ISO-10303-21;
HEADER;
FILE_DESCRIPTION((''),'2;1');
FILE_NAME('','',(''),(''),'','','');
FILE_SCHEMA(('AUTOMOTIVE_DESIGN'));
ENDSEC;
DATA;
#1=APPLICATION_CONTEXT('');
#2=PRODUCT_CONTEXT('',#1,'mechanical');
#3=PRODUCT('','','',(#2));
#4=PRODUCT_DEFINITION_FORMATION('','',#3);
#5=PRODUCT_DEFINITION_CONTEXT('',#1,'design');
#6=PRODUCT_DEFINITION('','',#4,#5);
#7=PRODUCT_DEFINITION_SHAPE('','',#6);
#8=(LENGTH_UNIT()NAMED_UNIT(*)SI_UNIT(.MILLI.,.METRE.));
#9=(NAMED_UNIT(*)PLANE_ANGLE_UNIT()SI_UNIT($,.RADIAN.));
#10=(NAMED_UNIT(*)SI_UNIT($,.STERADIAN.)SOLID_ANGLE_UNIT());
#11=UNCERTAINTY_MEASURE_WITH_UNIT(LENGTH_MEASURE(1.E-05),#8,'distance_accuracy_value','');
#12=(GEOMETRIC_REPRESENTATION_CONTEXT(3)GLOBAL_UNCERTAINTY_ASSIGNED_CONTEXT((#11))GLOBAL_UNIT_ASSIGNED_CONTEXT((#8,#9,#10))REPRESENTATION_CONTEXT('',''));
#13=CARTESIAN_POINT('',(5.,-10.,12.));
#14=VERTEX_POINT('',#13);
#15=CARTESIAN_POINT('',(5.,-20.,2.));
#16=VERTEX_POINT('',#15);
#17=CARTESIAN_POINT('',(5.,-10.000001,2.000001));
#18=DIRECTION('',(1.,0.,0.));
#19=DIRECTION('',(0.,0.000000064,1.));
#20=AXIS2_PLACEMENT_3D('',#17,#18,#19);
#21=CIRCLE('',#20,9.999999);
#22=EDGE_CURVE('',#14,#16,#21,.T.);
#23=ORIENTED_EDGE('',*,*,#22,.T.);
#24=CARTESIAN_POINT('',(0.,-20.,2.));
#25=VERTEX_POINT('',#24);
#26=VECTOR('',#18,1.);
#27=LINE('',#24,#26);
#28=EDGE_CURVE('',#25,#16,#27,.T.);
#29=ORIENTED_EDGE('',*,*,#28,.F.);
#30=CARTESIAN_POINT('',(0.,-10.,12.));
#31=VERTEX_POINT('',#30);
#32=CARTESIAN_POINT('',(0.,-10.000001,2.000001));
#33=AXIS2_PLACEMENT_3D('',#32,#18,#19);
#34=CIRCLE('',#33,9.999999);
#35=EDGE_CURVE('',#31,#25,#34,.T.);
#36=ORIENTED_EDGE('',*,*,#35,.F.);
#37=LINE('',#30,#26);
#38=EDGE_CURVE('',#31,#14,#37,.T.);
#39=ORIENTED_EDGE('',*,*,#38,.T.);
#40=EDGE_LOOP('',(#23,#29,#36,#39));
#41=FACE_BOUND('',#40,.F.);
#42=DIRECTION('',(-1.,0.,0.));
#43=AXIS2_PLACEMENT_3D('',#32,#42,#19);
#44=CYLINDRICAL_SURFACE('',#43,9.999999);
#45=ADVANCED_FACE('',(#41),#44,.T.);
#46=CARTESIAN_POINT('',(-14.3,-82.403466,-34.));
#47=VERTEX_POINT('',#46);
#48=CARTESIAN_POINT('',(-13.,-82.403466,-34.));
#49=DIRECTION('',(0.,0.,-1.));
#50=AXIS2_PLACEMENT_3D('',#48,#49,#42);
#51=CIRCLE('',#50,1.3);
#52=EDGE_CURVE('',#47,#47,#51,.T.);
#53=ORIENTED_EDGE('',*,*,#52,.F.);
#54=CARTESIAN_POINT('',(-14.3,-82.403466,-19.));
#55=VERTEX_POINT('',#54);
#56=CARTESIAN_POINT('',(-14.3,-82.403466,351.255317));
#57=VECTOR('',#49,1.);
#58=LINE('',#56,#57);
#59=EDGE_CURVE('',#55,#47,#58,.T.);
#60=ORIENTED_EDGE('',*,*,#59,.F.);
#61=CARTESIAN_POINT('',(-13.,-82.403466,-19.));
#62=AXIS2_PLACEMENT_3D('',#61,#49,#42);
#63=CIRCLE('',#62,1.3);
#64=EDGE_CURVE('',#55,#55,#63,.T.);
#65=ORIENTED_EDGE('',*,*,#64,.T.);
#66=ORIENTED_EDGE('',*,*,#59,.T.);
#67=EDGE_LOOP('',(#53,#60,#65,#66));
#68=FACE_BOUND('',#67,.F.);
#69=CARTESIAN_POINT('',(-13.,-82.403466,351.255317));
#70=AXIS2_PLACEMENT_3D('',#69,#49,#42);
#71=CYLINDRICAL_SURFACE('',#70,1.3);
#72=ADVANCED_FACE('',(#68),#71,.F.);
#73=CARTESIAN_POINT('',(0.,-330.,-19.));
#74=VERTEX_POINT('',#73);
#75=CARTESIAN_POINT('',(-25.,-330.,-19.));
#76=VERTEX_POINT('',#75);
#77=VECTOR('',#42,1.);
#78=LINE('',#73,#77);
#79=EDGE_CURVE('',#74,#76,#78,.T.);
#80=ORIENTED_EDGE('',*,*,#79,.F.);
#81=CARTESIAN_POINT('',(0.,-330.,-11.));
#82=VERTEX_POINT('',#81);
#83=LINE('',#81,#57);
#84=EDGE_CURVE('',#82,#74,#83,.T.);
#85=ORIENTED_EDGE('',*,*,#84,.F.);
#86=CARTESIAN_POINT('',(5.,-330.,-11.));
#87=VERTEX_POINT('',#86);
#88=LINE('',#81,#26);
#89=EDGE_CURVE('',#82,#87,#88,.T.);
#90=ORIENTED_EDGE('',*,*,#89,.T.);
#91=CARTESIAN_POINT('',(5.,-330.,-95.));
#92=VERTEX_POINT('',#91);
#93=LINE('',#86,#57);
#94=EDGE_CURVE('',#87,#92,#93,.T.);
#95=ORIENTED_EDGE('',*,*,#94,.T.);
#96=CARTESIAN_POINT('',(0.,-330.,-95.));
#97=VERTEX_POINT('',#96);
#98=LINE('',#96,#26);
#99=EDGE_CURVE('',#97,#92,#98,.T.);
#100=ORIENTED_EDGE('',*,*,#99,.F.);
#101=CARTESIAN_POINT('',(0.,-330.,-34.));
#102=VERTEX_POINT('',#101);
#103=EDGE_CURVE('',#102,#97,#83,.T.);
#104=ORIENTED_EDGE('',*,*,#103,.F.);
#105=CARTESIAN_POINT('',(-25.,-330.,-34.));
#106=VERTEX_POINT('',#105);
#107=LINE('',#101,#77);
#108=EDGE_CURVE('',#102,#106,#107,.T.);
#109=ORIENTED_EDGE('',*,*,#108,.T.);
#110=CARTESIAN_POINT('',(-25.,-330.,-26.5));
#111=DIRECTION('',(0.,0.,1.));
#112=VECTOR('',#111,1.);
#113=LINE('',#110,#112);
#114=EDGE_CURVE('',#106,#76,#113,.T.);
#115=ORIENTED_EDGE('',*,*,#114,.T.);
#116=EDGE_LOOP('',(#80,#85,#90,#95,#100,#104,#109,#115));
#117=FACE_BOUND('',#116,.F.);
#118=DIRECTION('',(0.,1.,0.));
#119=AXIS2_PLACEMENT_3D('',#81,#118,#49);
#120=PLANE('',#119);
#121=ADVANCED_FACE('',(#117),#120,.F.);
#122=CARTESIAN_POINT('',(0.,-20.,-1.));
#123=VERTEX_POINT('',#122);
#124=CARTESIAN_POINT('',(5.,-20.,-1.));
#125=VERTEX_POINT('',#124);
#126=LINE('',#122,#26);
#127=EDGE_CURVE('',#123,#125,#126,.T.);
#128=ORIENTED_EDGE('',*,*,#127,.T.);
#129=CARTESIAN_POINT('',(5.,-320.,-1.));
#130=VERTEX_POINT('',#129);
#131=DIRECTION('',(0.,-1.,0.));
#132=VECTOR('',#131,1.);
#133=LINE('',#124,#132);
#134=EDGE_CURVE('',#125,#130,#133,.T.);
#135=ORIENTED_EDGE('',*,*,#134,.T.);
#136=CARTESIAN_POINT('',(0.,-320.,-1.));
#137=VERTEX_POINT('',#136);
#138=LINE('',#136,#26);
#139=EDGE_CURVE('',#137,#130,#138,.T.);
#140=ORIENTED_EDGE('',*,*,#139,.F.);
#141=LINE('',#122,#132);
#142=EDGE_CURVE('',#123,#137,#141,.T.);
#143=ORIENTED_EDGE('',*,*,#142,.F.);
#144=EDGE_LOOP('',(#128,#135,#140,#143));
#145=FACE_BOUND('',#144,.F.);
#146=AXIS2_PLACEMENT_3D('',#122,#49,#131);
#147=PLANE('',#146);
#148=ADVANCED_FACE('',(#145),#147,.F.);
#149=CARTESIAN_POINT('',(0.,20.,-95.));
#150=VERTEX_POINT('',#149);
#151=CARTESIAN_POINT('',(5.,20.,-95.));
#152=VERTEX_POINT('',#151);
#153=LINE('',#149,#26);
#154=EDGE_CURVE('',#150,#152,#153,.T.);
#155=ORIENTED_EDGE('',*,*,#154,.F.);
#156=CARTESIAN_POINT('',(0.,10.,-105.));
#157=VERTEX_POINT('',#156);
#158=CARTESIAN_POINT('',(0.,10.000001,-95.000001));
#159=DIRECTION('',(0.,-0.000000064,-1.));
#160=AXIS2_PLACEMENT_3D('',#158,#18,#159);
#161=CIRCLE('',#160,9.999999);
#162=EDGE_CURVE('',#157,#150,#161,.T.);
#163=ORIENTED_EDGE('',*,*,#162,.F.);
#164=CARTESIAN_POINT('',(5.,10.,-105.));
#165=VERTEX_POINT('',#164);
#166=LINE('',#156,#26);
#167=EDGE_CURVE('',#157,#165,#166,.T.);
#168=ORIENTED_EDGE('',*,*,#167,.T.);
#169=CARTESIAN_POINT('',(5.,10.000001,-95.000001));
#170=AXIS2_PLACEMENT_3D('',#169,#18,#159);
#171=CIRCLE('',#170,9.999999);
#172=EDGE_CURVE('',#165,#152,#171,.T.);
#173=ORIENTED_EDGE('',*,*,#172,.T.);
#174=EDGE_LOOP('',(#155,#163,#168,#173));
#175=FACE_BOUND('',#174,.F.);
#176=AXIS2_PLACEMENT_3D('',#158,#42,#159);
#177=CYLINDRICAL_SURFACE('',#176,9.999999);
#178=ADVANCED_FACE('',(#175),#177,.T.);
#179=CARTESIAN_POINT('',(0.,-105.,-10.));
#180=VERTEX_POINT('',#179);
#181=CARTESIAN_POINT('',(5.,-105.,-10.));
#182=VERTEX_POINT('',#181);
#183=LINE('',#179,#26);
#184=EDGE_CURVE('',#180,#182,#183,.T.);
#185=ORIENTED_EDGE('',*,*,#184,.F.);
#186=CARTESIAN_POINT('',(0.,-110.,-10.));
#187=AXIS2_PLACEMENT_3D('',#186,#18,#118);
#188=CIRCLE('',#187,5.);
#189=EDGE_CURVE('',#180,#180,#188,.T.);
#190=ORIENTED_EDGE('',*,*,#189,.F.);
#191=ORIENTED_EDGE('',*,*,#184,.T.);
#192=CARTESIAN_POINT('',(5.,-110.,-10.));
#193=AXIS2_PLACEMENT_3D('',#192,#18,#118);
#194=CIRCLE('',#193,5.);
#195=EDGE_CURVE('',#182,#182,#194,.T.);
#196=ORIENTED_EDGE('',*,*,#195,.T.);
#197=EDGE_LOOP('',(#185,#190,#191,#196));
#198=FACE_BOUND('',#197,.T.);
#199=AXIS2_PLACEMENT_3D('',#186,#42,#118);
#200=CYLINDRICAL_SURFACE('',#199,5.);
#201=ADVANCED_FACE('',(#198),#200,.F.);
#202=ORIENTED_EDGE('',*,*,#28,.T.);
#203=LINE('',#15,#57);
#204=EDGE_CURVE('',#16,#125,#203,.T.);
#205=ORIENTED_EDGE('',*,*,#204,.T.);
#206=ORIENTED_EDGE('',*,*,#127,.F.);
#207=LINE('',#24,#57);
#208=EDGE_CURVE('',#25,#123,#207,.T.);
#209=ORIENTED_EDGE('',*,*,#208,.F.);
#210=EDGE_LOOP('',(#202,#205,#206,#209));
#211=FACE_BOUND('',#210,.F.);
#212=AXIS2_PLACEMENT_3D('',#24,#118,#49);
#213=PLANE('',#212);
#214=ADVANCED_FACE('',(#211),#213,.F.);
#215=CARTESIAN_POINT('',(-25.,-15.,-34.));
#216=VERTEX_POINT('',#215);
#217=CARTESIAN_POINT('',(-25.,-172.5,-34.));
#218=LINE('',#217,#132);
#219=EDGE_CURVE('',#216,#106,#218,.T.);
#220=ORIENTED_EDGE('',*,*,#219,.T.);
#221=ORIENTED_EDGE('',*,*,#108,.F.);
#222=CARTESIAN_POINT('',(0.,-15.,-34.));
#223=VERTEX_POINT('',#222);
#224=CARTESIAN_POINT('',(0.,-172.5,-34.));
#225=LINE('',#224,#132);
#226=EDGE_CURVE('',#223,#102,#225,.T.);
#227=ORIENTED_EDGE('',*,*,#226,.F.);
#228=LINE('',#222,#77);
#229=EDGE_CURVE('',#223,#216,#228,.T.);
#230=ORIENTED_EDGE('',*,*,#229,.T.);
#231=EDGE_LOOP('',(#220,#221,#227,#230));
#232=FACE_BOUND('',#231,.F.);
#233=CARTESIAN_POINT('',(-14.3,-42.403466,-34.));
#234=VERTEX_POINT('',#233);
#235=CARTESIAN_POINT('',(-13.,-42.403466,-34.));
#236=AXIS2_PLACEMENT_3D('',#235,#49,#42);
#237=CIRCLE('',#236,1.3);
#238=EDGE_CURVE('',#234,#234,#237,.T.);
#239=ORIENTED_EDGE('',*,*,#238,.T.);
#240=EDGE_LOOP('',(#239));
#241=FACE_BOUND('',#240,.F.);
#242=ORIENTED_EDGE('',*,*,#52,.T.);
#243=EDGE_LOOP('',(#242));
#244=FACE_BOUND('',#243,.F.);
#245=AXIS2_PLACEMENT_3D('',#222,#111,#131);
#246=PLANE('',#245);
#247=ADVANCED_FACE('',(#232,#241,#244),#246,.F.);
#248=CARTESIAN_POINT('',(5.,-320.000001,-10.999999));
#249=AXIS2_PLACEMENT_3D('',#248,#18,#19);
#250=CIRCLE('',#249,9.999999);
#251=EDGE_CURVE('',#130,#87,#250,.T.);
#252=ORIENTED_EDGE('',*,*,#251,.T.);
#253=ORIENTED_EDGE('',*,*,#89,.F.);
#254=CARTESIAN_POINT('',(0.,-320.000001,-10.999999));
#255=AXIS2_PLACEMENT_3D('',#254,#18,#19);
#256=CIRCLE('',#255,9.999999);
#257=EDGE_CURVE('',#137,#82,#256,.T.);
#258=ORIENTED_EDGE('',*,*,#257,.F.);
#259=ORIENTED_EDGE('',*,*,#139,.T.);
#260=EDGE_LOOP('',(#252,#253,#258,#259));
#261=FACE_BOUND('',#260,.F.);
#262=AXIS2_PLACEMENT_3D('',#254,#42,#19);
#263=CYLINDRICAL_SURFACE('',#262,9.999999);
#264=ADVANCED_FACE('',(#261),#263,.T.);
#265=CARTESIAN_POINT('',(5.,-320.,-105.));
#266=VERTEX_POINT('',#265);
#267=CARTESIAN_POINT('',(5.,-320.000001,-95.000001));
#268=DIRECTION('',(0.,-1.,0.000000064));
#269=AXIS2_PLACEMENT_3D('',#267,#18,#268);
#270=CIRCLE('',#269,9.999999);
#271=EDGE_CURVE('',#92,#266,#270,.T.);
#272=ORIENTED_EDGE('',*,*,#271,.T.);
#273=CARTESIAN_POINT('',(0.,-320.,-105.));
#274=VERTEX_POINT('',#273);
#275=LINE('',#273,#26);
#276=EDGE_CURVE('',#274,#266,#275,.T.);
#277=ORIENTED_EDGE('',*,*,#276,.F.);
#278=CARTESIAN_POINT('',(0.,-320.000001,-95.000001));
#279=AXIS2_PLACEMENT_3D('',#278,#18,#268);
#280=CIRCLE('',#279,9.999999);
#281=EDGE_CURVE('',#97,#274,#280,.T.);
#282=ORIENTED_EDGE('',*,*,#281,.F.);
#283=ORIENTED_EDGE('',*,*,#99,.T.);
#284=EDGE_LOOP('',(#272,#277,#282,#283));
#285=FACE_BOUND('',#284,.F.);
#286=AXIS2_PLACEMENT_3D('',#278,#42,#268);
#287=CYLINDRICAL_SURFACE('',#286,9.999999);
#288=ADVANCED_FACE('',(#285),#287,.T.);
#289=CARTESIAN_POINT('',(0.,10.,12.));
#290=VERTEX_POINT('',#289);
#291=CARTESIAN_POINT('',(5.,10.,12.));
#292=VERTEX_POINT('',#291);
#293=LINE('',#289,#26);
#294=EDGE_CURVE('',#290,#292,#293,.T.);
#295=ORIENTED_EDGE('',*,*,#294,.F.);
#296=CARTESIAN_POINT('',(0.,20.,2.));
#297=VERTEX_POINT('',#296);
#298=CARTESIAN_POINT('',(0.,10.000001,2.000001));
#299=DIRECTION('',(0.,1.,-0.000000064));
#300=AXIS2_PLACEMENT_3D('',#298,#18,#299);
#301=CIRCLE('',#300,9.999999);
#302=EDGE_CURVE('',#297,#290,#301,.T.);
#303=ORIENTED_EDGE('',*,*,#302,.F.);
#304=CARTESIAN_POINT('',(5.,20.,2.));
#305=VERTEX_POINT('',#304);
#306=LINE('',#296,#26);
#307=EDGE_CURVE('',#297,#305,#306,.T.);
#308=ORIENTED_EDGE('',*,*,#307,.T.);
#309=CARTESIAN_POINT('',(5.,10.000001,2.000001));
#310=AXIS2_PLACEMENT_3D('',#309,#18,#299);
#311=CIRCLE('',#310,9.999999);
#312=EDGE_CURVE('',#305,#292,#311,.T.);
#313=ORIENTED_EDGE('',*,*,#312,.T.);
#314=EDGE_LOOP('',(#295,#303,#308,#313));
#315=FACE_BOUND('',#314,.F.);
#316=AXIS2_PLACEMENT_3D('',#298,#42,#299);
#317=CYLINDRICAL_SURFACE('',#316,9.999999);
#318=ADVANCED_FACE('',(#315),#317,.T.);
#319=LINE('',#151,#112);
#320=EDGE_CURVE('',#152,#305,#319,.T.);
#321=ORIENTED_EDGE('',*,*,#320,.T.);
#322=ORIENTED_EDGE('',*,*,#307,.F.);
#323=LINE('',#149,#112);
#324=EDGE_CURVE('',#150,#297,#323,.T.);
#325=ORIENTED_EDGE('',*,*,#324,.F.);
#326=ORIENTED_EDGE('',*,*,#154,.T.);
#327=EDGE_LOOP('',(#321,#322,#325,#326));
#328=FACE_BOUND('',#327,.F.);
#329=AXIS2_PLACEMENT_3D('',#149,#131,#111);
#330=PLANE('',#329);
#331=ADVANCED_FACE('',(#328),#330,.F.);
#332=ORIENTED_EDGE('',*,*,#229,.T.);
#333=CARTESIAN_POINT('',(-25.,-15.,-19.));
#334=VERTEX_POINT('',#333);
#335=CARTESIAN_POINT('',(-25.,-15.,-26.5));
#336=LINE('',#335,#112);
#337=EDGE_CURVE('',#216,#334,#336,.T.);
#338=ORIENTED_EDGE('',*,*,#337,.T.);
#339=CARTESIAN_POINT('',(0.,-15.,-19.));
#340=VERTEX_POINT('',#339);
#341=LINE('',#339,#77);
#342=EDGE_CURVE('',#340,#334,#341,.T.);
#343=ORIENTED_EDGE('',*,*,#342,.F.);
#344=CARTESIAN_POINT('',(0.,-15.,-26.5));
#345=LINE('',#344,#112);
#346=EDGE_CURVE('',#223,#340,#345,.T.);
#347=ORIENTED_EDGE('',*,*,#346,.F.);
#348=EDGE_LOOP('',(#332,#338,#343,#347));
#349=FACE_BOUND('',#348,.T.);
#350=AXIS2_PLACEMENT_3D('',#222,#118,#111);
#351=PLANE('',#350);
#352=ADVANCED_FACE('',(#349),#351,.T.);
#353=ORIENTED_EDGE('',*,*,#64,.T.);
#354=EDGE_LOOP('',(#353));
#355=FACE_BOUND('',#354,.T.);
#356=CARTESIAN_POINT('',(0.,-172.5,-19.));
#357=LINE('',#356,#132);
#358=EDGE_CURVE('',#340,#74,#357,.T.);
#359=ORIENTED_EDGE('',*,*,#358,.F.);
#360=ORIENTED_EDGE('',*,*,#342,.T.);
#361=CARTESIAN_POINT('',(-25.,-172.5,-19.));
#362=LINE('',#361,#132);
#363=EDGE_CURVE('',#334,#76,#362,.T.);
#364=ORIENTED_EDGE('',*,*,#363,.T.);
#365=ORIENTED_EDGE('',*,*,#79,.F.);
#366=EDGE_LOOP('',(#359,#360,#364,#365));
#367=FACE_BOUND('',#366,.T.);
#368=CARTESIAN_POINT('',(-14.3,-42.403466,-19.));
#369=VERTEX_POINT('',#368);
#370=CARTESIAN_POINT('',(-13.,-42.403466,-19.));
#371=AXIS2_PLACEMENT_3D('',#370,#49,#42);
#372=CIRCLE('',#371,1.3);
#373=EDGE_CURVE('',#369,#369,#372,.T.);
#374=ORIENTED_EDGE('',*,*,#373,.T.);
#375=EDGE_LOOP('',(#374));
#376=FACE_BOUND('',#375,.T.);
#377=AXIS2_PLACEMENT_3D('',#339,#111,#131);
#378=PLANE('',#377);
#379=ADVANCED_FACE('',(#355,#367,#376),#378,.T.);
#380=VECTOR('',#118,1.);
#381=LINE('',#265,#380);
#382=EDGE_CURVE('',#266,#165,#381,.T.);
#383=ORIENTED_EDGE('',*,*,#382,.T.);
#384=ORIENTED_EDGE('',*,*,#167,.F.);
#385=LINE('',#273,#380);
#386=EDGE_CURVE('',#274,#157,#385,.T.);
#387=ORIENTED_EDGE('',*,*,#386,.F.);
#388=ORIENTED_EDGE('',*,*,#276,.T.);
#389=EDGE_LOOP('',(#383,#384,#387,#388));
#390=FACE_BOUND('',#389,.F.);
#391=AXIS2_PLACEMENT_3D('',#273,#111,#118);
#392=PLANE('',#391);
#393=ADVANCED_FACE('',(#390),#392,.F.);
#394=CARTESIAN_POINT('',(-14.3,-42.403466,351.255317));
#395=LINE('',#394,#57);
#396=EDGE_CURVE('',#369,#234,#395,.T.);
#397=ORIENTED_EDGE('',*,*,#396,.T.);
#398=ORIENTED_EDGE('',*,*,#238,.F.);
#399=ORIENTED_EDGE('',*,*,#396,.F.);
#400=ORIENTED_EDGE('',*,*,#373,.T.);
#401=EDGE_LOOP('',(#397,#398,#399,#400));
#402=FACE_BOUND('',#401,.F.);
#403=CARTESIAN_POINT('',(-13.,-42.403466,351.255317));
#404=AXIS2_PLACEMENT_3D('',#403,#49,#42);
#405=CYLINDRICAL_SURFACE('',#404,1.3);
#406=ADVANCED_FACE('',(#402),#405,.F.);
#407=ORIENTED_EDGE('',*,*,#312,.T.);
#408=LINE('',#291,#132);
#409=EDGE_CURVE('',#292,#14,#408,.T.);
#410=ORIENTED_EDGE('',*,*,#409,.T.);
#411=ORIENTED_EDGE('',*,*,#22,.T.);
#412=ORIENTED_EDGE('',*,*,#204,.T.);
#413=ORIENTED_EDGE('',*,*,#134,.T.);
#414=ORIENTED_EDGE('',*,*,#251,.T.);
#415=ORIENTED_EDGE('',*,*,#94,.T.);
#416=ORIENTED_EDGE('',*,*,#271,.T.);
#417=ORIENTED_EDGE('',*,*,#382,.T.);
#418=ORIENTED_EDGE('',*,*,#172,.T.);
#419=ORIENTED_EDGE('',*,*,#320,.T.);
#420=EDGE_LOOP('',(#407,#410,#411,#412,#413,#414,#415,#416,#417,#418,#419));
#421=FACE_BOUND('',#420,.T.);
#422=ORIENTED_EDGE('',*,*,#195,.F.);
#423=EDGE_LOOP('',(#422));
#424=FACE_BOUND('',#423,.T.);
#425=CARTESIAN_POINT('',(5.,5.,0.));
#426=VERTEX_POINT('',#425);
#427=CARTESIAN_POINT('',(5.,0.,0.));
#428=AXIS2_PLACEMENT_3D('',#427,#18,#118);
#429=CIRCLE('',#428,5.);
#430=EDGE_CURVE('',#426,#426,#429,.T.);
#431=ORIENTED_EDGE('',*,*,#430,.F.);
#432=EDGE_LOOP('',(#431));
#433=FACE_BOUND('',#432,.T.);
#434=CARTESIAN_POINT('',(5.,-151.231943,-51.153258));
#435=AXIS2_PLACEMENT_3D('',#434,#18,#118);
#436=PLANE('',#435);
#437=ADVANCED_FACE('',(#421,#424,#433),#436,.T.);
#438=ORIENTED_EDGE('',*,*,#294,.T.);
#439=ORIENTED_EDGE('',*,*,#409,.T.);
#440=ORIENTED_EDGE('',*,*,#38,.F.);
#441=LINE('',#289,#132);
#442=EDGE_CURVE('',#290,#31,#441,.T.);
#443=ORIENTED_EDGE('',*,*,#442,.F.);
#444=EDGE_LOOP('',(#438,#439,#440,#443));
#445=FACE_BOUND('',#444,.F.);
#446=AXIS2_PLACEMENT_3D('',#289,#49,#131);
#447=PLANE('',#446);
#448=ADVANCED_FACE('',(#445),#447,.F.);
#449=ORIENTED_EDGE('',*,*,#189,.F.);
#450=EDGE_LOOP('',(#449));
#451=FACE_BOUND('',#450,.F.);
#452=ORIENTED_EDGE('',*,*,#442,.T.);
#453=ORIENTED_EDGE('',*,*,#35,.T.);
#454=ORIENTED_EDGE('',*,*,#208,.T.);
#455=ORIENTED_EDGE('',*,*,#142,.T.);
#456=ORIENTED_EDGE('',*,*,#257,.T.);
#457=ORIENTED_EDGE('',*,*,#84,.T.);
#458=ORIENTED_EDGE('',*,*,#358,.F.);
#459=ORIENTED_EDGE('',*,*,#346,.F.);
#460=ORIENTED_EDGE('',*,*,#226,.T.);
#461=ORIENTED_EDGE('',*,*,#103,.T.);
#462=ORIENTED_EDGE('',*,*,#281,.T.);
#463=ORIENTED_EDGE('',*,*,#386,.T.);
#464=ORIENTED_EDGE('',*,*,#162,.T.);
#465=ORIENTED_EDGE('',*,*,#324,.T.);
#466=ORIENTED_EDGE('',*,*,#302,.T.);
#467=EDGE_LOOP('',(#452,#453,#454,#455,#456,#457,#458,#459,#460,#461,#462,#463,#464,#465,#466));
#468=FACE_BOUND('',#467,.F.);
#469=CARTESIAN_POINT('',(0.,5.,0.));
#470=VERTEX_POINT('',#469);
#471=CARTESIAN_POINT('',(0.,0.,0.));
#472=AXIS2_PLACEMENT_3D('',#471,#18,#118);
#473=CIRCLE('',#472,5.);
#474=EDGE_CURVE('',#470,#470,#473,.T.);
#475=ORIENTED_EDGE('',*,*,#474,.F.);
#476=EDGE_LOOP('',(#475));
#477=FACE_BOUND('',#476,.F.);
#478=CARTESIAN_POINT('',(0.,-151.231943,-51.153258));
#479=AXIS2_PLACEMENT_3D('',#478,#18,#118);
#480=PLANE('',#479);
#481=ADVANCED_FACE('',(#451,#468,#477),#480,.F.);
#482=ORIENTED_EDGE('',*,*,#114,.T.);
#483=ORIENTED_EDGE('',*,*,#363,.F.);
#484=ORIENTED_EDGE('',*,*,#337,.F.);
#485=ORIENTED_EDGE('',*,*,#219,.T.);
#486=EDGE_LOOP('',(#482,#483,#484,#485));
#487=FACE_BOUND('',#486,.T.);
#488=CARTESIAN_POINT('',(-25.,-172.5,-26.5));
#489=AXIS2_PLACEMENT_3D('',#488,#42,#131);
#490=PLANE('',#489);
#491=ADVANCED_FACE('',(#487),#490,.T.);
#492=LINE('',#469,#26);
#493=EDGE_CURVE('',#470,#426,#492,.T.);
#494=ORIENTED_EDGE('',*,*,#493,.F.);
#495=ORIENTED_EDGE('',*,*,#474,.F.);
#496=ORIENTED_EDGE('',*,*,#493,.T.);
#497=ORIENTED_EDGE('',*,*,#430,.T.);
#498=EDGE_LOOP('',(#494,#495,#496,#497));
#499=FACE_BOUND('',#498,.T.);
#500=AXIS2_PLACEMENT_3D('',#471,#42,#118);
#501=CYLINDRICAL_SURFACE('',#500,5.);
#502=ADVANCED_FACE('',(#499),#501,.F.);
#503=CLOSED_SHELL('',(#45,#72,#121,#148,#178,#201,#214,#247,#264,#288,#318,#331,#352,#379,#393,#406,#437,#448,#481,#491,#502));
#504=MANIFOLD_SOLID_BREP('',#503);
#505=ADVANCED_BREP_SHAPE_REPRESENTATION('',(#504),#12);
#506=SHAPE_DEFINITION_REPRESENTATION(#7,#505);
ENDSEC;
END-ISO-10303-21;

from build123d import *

# Parameters (mm, degrees)
F0_R     = 5
F1_DEPTH = 5
F2_W     = 315
F2_H     = 15
F3_DEPTH = 25
F5_D     = 2.6


with BuildPart() as f1:
    # F0 (on Right) → F1 (new body)
    with BuildSketch(Plane.YZ):
        with BuildLine():
            Line((-20, -1), (-320, -1))
            ThreePointArc((-320, -1), (-327.071068, -3.928932), (-330, -11))
            Line((-330, -11), (-330, -95))
            ThreePointArc((-330, -95), (-327.071068, -102.071068), (-320, -105))
            Line((-320, -105), (10, -105))
            ThreePointArc((10, -105), (17.071068, -102.071068), (20, -95))
            Line((20, -95), (20, 2))
            ThreePointArc((20, 2), (17.071068, 9.071068), (10, 12))
            Line((10, 12), (-10, 12))
            ThreePointArc((-10, 12), (-17.071068, 9.071068), (-20, 2))
            Line((-20, 2), (-20, -1))
        make_face()
        with Locations((-110, -10)):
            Circle(F0_R, mode=Mode.SUBTRACT)
        Circle(F0_R, mode=Mode.SUBTRACT)
    extrude(amount=F1_DEPTH)

    # F2 (on face) → F3 (join)
    with BuildSketch(Plane(origin=(0, 0, 0), x_dir=(0, -1, 0), z_dir=(-1, 0, 0))):
        with Locations((172.5, -26.5)):
            Rectangle(F2_W, F2_H)
    extrude(amount=F3_DEPTH)

    # F5 (through all)
    with Locations(Plane.XY.offset(-19)):
        with Locations((-13, -42.403466), (-13, -82.403466)):
            Hole(F5_D / 2)


solid = f1.part
